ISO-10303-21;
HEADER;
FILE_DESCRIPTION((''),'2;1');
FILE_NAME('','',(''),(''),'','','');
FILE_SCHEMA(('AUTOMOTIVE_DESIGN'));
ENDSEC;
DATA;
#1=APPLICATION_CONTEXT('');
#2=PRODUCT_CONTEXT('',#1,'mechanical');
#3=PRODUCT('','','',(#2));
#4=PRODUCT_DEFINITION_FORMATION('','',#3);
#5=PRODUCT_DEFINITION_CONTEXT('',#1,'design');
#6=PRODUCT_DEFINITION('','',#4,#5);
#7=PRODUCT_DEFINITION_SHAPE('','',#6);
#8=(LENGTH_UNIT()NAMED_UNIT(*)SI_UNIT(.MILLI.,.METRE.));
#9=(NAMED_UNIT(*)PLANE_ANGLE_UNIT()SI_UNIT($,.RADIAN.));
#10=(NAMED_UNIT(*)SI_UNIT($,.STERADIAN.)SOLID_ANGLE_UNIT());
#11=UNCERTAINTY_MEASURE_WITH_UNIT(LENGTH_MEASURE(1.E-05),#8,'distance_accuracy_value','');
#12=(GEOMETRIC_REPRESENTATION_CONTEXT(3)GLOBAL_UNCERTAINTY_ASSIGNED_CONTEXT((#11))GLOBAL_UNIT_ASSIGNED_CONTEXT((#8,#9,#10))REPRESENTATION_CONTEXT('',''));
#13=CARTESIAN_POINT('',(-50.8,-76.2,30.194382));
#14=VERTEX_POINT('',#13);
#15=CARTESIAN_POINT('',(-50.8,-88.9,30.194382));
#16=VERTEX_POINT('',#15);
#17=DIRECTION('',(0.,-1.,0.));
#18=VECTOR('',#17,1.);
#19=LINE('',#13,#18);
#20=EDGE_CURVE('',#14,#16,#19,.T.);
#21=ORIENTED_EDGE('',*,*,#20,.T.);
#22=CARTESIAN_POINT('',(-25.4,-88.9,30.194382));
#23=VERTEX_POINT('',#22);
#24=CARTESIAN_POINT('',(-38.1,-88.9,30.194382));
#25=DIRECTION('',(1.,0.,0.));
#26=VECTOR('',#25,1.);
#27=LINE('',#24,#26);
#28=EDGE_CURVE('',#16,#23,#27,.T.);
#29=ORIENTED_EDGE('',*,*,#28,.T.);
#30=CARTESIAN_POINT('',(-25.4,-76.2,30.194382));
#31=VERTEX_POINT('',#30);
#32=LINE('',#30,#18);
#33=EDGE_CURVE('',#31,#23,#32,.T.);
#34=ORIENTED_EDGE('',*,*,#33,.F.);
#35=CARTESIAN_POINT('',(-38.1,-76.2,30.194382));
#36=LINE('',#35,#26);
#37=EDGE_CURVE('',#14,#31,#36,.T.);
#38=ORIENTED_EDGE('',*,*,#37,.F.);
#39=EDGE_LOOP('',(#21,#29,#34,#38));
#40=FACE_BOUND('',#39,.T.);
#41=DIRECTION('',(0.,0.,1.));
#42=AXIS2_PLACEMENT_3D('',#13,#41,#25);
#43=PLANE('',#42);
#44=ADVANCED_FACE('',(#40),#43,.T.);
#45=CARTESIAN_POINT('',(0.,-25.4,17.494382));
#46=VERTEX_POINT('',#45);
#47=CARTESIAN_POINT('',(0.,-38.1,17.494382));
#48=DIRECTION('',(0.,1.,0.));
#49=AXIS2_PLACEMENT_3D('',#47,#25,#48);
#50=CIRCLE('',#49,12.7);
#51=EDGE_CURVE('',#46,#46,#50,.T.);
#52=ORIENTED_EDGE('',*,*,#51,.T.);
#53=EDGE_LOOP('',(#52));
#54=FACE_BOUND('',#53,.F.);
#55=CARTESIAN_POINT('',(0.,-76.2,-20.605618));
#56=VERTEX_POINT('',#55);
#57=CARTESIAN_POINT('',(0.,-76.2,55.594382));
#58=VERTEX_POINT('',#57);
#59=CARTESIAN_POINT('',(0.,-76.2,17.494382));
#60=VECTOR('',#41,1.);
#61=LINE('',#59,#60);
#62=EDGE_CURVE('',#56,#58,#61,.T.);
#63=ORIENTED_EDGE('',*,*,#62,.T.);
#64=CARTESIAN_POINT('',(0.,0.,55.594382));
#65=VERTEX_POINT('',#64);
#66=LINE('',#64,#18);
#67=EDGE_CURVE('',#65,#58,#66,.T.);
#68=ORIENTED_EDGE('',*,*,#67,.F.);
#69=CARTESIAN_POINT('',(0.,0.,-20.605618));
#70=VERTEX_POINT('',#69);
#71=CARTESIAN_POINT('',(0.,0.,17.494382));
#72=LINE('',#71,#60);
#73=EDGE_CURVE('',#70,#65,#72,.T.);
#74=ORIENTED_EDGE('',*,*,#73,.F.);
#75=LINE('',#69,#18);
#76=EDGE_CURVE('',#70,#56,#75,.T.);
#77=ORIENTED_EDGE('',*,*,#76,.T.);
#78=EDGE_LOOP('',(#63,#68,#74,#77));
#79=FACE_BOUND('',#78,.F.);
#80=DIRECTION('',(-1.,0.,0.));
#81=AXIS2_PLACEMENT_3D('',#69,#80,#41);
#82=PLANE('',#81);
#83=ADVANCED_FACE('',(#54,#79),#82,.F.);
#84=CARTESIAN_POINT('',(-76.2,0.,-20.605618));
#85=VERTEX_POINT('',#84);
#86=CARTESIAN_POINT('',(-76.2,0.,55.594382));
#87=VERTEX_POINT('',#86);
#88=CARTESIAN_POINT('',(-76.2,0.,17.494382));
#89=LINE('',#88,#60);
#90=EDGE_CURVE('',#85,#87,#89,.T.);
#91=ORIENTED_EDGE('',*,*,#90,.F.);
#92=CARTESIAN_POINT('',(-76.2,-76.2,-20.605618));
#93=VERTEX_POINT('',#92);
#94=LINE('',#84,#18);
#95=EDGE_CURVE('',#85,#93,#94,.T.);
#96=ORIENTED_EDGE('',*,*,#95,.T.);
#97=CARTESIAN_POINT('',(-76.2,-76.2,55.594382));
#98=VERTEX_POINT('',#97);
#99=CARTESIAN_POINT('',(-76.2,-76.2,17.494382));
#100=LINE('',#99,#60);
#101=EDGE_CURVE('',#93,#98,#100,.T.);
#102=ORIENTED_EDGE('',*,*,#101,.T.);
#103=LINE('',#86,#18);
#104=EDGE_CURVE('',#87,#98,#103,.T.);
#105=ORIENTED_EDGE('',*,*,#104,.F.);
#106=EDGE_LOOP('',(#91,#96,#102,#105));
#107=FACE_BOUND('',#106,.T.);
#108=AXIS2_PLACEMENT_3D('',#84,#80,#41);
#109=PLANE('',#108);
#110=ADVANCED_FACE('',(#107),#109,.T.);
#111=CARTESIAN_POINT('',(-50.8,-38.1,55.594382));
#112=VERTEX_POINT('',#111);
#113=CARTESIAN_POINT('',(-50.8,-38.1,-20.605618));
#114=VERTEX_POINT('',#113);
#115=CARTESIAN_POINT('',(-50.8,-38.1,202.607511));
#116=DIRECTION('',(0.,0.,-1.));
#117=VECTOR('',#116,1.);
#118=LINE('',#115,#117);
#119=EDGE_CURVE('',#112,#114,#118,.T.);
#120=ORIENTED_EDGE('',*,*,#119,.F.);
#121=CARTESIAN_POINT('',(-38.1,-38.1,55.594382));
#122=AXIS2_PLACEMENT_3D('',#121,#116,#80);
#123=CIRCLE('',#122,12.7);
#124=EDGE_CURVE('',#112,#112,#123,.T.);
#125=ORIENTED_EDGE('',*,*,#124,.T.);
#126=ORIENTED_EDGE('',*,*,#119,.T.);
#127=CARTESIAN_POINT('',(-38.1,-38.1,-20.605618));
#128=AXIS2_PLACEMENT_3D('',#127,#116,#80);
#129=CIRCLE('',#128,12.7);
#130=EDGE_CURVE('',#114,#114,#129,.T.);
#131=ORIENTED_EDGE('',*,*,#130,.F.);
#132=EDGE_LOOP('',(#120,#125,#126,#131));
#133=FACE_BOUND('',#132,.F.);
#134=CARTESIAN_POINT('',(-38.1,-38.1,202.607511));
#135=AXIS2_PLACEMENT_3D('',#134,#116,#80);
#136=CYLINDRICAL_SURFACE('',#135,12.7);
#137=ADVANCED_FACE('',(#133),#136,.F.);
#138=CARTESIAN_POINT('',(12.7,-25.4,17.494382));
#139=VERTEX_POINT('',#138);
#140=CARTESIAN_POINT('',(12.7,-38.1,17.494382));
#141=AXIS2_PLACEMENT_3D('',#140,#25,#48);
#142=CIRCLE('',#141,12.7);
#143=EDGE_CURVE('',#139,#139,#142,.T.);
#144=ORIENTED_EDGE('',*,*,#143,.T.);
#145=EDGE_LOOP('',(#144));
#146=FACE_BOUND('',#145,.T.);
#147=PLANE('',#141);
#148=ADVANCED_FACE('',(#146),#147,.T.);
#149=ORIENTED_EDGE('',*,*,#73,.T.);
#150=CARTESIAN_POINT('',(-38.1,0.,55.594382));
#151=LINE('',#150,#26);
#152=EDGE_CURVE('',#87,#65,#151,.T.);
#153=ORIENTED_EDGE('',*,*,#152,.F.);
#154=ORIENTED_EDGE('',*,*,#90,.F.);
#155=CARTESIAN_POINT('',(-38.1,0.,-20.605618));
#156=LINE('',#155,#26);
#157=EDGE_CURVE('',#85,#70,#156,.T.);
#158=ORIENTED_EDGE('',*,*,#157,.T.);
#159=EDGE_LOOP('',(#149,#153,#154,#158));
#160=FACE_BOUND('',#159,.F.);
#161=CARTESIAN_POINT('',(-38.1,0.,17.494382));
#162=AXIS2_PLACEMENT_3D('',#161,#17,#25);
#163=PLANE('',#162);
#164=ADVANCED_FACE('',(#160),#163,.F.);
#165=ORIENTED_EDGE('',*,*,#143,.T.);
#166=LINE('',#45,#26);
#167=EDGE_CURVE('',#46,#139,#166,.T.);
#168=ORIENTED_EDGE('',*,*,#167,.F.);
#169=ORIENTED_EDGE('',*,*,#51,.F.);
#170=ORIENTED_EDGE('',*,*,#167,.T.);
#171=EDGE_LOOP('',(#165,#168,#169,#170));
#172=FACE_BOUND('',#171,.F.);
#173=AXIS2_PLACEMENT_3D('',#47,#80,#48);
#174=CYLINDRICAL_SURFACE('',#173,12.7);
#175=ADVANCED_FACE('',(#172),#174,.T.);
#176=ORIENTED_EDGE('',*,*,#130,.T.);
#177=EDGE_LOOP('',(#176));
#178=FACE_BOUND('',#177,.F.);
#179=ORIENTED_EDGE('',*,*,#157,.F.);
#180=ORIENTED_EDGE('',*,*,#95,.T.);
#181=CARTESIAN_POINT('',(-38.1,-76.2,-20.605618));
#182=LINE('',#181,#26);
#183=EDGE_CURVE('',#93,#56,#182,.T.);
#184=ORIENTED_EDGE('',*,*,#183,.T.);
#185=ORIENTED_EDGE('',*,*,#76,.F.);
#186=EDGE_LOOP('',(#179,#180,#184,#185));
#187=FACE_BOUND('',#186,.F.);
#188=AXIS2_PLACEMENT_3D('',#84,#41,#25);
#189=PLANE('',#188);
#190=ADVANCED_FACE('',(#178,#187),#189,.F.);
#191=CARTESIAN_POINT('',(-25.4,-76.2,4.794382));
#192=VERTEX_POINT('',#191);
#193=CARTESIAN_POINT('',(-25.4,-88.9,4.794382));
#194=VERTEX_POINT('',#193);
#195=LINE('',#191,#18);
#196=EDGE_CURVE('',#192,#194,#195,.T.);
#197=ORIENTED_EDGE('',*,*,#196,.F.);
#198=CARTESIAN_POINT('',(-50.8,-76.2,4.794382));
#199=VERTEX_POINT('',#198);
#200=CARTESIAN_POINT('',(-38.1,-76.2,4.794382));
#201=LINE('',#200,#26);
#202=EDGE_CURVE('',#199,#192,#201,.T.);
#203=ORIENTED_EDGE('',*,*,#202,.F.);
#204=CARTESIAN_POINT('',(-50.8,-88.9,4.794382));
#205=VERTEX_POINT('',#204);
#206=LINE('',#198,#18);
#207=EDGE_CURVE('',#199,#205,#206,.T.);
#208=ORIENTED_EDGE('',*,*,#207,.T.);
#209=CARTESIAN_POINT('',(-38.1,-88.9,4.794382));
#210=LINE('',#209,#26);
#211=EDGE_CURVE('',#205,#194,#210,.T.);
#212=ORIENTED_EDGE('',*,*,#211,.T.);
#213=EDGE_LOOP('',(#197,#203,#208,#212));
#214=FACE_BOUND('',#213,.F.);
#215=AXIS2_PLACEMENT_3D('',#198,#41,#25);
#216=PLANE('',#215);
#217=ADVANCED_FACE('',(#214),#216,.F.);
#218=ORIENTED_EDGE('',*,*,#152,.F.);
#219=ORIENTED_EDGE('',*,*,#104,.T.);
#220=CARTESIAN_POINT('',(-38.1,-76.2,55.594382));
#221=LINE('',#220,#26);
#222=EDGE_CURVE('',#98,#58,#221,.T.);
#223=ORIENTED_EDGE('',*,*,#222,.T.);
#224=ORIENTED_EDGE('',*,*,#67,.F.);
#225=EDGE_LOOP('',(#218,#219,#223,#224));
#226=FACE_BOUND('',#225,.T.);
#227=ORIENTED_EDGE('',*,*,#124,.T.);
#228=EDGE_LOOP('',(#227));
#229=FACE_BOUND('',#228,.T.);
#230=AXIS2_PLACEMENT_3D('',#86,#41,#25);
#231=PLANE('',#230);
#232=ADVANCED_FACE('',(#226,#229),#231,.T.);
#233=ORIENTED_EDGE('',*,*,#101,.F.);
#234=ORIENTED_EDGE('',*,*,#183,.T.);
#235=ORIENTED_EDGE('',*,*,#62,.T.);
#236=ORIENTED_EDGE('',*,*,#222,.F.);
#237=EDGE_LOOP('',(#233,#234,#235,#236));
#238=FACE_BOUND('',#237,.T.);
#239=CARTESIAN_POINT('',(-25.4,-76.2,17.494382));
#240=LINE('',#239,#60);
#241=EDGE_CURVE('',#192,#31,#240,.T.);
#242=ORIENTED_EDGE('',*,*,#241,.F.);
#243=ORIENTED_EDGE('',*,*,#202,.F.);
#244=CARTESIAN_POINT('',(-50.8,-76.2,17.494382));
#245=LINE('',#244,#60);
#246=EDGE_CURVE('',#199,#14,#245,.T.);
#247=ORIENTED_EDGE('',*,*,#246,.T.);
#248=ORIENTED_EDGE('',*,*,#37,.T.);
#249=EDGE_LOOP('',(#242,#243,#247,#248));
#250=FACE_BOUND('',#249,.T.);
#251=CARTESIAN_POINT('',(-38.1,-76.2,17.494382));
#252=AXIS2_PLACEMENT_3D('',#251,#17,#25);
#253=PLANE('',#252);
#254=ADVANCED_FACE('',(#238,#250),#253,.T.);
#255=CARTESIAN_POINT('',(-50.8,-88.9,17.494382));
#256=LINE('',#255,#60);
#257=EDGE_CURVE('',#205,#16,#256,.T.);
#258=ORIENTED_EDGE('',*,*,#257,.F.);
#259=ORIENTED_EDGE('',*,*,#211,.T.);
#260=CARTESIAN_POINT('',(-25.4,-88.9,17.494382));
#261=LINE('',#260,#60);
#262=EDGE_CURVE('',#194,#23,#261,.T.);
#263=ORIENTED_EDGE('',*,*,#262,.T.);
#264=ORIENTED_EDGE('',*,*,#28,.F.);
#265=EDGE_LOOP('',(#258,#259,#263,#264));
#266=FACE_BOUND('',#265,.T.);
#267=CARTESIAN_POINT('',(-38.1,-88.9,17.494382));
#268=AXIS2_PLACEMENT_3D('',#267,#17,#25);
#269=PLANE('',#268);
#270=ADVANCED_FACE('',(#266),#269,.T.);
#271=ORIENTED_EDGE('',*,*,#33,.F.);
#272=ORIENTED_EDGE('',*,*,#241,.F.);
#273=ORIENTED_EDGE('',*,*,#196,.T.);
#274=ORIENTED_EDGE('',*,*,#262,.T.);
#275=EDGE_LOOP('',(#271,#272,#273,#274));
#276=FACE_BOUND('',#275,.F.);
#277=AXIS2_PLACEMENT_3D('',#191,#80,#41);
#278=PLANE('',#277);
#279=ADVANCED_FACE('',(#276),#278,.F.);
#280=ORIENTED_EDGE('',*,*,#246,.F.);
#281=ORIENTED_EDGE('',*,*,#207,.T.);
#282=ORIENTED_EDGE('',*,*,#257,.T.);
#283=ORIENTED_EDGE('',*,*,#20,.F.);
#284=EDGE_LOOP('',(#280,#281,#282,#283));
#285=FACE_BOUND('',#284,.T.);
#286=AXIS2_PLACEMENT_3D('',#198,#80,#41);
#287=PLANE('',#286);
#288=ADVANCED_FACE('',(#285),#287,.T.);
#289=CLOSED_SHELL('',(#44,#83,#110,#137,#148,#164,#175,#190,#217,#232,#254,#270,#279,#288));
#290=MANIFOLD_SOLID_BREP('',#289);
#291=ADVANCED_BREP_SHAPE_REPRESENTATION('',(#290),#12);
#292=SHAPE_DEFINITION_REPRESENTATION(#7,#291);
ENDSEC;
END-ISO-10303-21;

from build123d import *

# Parameters (mm, degrees)
F0_W     = 76.2
F0_H     = 76.2
F1_DEPTH = 76.2
F2_W     = 25.4
F2_H     = 25.4
F3_DEPTH = 12.7
F4_R     = 12.7
F5_DEPTH = 12.7
F7_D     = 25.4


with BuildPart() as f1:
    # F0 (on Front) → F1 (new body)
    with BuildSketch(Plane.XZ):
        with Locations((-38.1, 17.494382)):
            Rectangle(F0_W, F0_H)
    extrude(amount=F1_DEPTH)

    # F2 (on face) → F3 (join)
    with BuildSketch(Plane.XZ.offset(76.2)):
        with Locations((-38.1, 17.494382)):
            Rectangle(F2_W, F2_H)
    extrude(amount=F3_DEPTH)

    # F4 (on face) → F5 (join)
    with BuildSketch(Plane.YZ):
        with Locations((-38.1, 17.494382)):
            Circle(F4_R)
    extrude(amount=F5_DEPTH)

    # F7 (through all)
    with Locations(Plane.XY.offset(55.594382)):
        with Locations((-38.1, -38.1)):
            Hole(F7_D / 2)


solid = f1.part
